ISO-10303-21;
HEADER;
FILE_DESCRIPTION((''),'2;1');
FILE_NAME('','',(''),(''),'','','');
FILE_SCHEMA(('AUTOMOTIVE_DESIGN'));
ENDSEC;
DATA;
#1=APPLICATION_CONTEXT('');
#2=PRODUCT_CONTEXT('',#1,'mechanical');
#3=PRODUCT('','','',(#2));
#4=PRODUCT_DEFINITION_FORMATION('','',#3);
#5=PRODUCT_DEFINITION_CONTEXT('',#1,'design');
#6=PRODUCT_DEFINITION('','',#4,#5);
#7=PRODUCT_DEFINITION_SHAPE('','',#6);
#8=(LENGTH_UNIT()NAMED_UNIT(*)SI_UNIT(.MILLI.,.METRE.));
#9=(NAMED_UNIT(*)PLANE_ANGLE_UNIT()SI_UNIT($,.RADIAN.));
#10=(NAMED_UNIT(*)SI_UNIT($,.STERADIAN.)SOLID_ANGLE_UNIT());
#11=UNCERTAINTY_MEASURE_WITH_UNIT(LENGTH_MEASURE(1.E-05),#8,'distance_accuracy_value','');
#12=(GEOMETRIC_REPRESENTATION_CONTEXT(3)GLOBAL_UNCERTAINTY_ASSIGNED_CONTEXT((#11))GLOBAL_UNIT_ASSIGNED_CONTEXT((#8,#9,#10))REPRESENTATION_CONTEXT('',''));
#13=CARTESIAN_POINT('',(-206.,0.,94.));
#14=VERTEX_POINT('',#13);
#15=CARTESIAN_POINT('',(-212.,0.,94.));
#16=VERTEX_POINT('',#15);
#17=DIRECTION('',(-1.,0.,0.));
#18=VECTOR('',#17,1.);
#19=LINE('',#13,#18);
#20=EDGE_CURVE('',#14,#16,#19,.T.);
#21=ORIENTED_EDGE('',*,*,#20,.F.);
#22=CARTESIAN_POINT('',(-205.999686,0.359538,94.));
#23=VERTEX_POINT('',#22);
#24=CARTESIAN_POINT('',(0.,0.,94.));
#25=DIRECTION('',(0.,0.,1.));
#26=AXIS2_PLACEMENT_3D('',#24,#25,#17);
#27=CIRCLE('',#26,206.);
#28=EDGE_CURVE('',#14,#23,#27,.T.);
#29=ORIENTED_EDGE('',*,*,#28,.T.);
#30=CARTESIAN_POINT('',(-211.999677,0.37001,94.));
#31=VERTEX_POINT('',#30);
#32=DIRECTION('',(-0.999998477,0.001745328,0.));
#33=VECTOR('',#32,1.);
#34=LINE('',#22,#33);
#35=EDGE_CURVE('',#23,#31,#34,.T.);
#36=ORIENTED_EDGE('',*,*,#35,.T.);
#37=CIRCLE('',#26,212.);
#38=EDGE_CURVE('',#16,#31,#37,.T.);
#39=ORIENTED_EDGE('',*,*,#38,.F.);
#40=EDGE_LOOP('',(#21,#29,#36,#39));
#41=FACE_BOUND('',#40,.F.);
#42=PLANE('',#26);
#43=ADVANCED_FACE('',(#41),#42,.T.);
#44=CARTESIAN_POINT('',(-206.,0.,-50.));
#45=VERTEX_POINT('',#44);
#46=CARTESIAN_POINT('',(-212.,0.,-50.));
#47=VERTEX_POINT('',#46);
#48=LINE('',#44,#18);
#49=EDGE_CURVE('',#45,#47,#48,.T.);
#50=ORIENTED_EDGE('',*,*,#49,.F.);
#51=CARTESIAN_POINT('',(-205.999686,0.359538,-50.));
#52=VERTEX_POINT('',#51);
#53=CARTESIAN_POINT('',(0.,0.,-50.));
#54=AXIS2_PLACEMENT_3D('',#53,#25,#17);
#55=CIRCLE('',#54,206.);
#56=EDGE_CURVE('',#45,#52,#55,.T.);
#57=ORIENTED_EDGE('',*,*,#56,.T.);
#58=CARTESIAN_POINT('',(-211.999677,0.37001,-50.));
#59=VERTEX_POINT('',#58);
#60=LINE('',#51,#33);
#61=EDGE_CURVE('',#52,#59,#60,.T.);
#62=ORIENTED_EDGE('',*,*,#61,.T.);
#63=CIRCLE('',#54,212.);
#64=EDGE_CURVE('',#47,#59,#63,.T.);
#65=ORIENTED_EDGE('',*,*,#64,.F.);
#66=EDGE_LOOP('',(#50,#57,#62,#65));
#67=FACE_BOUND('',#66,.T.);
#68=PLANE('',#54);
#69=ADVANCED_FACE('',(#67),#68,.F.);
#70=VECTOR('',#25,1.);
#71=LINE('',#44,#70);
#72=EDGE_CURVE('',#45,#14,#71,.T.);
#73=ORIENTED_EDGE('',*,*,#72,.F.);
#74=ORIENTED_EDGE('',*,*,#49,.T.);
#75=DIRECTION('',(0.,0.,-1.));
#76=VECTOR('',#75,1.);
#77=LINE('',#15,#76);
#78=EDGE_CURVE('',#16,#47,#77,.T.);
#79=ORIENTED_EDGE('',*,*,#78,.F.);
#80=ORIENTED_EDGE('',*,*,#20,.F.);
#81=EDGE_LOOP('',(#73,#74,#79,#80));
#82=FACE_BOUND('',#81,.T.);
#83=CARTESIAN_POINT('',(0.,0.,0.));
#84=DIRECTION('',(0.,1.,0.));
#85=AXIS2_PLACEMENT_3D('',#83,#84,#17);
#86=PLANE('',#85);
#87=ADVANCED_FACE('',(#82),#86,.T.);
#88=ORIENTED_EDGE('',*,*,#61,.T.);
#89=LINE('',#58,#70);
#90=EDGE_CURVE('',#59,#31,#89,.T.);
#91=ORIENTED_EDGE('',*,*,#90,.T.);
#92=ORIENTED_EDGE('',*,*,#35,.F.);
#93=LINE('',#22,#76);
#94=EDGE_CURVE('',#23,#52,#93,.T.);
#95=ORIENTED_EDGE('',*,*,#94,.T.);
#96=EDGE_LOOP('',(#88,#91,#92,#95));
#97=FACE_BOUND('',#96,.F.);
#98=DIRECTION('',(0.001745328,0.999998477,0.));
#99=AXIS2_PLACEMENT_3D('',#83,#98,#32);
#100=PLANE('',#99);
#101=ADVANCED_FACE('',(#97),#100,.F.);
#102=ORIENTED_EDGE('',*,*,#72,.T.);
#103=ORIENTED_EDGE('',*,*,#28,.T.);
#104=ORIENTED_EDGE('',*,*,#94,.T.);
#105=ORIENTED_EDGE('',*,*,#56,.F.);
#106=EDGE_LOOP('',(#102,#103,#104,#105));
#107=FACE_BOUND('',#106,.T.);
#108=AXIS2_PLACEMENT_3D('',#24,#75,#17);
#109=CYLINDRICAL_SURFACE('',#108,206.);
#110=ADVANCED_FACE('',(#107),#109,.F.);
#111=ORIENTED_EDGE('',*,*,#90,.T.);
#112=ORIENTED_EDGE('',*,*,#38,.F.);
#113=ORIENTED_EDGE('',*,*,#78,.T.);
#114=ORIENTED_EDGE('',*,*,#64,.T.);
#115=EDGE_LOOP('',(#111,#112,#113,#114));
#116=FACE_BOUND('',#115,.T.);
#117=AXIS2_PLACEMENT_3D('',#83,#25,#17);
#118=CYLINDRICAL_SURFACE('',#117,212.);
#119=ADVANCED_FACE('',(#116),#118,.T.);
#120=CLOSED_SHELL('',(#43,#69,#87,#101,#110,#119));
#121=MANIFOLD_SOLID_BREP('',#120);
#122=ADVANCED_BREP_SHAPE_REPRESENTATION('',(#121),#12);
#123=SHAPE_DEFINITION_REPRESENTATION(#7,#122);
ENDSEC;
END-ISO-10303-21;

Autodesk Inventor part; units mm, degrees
ref_plane "YZ Plane" through (0, 0, 0) normal (1, 0, 0) x (0, 1, 0)
ref_plane "XZ Plane" through (0, 0, 0) normal (0, 1, 0) x (-1, 0, 0)
ref_plane "XY Plane" through (0, 0, 0) normal (0, 0, 1) x (1, 0, 0)
sketch "Sketch1" plane through (0, 0, 0) normal (0, 1, 0) x (-1, 0, 0)
  line L0 (206, 94) -> (206, 0)
  line L1 (206, 0) -> (212, 0)
  line L2 (0, 0) -> (0, 109.131)
  line L3 (206, 94) -> (212, 94)
  line L4 (212, 0) -> (212, 94)
  line L5 (212, 0) -> (206, 0)
  line L6 (206, 0) -> (206, -50)
  line L7 (206, -50) -> (212, -50)
  line L8 (212, -50) -> (212, 0)
  point P0 (209, 0)
  point P1 (212, 0)
  point P2 (206, 0)
  point P3 (206, 0)
  dimension "d3" = 6
  dimension "d5" = 94
  dimension "d7" = 6
  dimension "d8" = 50
  dimension "d12" = 424
revolve "Revolution1" add sketch "Sketch1" angle 359.9 about axis through (0, 0, 0) along (0, 0, 1)
sketch "Sketch2" plane through (0, 0, 0) normal (0, 1, 0) x (-1, 0, 0)
  circle A0 centre (0, -476) radius 476
  point P0 (0, 0)
  dimension "d9" = 952
extrude "Extrusion1" [suppressed]
equation "\"d5\" = Accsess_hatch_lenght"
equation "\"d7\" = d3"
equation "\"BendRadius\" = Thickness"
equation "\"BendReliefWidth\" = Thickness"
equation "\"BendReliefDepth\" = 0.5 * Thickness"
equation "\"CornerReliefSize\" = 4 * Thickness"
equation "\"MinimumRemnant\" = 2 * Thickness"
equation "\"TransitionRadius\" = BendRadius"
equation "\"JacobiRadiusSize\" = BendRadius"
equation "\"GapSize\" = Thickness"
equation "\"Accsess_hatch_lenght\" = 94"
equation "\"Thickness\" = 6"
properties part number "TZS 0904 accses hatch tube" material "Steel"
